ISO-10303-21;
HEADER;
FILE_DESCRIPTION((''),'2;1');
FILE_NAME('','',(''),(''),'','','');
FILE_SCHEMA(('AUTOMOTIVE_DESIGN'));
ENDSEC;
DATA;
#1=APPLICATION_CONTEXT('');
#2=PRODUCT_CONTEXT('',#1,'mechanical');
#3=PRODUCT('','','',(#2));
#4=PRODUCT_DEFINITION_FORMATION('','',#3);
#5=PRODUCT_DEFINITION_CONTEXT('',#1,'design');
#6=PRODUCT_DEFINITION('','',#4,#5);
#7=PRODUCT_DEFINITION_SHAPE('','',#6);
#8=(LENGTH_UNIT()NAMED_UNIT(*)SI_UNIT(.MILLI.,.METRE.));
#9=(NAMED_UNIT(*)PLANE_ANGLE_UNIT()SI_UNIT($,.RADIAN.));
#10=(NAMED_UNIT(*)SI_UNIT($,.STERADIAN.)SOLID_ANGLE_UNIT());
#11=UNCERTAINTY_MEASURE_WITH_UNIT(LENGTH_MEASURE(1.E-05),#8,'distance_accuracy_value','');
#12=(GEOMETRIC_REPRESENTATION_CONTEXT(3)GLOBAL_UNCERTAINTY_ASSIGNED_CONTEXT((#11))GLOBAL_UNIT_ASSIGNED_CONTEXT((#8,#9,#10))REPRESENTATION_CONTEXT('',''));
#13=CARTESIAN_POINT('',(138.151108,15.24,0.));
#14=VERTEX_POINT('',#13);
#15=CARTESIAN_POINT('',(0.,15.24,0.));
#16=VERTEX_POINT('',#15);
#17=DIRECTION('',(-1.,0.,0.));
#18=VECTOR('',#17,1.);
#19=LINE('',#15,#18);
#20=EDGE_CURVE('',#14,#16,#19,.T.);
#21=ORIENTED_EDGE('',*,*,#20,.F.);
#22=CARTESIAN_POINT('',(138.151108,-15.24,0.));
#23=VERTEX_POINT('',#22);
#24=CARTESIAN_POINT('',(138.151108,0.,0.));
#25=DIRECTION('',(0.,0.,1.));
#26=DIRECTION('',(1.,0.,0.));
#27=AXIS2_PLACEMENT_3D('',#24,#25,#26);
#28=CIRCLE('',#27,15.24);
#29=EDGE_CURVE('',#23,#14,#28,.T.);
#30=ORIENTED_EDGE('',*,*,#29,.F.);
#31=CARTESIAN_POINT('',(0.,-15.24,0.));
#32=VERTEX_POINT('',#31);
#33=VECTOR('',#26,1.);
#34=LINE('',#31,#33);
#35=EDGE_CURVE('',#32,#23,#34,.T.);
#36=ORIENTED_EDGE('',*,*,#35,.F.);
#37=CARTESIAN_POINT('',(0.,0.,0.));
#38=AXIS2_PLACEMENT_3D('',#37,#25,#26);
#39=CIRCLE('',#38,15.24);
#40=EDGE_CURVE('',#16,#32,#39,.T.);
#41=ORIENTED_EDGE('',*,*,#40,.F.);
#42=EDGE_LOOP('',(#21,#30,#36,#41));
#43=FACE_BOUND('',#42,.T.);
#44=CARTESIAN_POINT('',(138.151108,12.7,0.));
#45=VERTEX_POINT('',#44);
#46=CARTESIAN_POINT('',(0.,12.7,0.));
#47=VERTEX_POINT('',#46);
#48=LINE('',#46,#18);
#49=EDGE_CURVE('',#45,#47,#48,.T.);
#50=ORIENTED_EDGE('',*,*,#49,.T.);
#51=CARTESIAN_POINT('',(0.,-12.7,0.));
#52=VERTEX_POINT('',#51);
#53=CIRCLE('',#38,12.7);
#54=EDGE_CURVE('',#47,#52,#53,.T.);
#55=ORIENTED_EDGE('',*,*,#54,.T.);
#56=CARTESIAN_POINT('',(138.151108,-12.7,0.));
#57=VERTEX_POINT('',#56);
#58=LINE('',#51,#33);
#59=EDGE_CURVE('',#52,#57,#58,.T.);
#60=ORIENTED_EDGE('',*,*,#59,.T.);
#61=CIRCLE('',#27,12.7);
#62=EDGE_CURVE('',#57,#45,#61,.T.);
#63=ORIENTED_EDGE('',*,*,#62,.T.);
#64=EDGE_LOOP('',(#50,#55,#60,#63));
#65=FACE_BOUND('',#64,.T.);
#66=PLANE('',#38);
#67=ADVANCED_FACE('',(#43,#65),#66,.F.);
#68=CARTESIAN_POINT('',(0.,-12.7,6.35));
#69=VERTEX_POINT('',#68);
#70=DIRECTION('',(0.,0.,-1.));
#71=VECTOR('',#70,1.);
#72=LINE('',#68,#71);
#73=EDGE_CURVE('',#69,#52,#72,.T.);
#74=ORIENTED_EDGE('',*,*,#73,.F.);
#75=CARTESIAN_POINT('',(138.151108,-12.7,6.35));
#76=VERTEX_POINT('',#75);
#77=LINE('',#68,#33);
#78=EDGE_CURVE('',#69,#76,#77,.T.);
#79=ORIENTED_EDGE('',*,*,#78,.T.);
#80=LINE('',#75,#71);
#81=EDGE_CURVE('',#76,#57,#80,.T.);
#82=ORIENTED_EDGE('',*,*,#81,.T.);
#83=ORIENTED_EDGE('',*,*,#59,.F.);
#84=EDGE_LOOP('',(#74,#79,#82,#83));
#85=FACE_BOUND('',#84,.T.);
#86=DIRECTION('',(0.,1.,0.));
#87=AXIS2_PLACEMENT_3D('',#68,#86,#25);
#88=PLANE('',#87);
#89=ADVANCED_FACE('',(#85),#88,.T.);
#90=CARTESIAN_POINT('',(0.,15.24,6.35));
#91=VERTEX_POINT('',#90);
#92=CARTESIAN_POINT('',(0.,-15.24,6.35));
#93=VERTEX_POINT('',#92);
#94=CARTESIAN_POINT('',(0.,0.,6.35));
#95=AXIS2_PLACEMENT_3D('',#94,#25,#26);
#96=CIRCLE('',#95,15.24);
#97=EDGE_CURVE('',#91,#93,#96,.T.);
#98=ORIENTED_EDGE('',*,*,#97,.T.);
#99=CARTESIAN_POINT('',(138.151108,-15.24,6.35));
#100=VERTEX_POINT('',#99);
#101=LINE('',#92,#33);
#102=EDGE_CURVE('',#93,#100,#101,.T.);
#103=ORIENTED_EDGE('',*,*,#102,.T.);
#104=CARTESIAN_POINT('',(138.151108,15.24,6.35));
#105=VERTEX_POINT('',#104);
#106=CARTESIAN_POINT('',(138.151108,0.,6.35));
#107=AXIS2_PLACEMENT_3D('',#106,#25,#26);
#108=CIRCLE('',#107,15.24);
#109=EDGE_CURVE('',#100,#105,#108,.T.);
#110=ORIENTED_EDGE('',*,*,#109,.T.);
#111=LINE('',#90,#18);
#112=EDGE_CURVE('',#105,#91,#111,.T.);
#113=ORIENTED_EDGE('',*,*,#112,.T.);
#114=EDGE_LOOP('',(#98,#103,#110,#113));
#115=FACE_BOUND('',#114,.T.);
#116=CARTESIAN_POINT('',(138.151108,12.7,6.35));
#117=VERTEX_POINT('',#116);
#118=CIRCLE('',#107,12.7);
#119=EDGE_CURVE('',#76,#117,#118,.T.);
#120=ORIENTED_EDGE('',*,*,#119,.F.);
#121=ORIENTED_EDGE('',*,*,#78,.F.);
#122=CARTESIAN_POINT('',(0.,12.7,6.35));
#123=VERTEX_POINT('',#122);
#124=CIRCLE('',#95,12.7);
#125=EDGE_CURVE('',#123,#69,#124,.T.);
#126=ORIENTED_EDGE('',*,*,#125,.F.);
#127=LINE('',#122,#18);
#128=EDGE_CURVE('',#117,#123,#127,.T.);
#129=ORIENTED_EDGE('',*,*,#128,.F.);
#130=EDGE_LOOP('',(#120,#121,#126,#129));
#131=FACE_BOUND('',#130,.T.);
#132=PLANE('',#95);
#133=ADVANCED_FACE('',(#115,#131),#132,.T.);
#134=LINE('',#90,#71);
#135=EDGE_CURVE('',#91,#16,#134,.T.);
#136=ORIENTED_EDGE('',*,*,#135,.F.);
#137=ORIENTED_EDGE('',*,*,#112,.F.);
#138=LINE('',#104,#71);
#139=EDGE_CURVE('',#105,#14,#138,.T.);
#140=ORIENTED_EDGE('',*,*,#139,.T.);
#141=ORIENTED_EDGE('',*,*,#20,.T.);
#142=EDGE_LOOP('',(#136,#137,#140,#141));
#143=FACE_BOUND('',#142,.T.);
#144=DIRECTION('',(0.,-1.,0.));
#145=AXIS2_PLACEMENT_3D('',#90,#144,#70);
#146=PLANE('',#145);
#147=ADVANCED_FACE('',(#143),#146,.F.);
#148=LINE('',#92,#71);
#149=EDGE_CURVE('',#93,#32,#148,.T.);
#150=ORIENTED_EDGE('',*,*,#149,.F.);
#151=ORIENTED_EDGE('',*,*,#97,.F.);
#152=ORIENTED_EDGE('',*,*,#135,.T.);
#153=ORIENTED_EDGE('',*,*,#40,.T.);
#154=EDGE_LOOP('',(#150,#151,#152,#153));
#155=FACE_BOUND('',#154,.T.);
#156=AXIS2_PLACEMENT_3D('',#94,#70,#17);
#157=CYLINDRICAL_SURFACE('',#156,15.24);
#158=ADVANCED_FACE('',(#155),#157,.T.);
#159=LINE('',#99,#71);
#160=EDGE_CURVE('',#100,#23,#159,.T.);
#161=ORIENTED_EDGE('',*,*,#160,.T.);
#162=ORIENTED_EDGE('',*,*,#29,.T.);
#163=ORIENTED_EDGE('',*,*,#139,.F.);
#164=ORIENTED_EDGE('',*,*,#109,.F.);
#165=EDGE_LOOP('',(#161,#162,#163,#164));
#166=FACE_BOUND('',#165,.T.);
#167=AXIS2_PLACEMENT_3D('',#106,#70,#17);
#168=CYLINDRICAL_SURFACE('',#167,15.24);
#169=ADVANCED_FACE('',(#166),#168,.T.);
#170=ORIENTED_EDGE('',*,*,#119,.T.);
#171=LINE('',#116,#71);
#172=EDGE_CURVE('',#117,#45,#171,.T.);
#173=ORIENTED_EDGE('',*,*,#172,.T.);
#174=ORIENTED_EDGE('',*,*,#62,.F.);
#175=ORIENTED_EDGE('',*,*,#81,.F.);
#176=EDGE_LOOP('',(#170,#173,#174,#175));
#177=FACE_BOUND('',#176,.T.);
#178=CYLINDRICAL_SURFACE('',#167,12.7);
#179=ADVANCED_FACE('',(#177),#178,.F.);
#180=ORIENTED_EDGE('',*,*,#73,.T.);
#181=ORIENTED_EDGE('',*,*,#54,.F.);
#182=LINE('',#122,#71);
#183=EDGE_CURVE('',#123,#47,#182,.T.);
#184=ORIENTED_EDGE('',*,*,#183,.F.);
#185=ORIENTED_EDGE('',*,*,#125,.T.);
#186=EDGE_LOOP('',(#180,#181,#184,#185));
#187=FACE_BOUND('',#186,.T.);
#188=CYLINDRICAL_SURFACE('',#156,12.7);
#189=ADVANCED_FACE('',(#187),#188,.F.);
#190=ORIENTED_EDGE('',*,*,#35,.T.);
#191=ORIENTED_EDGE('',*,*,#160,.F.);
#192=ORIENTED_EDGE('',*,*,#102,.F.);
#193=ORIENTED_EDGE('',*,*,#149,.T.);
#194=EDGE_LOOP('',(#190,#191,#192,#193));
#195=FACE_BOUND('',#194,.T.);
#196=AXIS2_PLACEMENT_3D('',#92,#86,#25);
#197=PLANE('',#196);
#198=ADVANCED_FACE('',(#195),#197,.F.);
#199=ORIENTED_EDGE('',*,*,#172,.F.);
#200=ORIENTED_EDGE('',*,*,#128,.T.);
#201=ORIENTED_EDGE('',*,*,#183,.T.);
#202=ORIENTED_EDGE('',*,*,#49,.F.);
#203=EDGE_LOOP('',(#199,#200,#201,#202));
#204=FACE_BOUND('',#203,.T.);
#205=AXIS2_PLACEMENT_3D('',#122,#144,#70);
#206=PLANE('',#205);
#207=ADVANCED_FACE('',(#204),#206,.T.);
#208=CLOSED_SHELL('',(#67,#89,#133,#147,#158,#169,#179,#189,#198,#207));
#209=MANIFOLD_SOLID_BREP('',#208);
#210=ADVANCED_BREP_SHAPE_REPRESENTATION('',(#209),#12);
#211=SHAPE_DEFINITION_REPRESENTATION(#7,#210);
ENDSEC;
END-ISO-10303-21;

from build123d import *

# Parameters (mm, degrees)
BOSS_EXTRUDE1_DEPTH = 6.35


with BuildPart() as part:
    # Sketch1 → Boss-Extrude1 (new body)
    with BuildSketch(Plane.XY):
        with BuildLine():
            Line((0, 15.24), (138.151108, 15.24))
            ThreePointArc((138.151108, 15.24), (153.391108, 0), (138.151108, -15.24))
            Line((138.151108, -15.24), (0, -15.24))
            ThreePointArc((0, -15.24), (-15.24, 0), (0, 15.24))
        make_face()
        with BuildLine():
            Line((0, 12.7), (138.151108, 12.7))
            ThreePointArc((138.151108, 12.7), (150.851108, 0), (138.151108, -12.7))
            Line((138.151108, -12.7), (0, -12.7))
            ThreePointArc((0, -12.7), (-12.7, 0), (0, 12.7))
        make_face(mode=Mode.SUBTRACT)
    extrude(amount=BOSS_EXTRUDE1_DEPTH)


solid = part.part
